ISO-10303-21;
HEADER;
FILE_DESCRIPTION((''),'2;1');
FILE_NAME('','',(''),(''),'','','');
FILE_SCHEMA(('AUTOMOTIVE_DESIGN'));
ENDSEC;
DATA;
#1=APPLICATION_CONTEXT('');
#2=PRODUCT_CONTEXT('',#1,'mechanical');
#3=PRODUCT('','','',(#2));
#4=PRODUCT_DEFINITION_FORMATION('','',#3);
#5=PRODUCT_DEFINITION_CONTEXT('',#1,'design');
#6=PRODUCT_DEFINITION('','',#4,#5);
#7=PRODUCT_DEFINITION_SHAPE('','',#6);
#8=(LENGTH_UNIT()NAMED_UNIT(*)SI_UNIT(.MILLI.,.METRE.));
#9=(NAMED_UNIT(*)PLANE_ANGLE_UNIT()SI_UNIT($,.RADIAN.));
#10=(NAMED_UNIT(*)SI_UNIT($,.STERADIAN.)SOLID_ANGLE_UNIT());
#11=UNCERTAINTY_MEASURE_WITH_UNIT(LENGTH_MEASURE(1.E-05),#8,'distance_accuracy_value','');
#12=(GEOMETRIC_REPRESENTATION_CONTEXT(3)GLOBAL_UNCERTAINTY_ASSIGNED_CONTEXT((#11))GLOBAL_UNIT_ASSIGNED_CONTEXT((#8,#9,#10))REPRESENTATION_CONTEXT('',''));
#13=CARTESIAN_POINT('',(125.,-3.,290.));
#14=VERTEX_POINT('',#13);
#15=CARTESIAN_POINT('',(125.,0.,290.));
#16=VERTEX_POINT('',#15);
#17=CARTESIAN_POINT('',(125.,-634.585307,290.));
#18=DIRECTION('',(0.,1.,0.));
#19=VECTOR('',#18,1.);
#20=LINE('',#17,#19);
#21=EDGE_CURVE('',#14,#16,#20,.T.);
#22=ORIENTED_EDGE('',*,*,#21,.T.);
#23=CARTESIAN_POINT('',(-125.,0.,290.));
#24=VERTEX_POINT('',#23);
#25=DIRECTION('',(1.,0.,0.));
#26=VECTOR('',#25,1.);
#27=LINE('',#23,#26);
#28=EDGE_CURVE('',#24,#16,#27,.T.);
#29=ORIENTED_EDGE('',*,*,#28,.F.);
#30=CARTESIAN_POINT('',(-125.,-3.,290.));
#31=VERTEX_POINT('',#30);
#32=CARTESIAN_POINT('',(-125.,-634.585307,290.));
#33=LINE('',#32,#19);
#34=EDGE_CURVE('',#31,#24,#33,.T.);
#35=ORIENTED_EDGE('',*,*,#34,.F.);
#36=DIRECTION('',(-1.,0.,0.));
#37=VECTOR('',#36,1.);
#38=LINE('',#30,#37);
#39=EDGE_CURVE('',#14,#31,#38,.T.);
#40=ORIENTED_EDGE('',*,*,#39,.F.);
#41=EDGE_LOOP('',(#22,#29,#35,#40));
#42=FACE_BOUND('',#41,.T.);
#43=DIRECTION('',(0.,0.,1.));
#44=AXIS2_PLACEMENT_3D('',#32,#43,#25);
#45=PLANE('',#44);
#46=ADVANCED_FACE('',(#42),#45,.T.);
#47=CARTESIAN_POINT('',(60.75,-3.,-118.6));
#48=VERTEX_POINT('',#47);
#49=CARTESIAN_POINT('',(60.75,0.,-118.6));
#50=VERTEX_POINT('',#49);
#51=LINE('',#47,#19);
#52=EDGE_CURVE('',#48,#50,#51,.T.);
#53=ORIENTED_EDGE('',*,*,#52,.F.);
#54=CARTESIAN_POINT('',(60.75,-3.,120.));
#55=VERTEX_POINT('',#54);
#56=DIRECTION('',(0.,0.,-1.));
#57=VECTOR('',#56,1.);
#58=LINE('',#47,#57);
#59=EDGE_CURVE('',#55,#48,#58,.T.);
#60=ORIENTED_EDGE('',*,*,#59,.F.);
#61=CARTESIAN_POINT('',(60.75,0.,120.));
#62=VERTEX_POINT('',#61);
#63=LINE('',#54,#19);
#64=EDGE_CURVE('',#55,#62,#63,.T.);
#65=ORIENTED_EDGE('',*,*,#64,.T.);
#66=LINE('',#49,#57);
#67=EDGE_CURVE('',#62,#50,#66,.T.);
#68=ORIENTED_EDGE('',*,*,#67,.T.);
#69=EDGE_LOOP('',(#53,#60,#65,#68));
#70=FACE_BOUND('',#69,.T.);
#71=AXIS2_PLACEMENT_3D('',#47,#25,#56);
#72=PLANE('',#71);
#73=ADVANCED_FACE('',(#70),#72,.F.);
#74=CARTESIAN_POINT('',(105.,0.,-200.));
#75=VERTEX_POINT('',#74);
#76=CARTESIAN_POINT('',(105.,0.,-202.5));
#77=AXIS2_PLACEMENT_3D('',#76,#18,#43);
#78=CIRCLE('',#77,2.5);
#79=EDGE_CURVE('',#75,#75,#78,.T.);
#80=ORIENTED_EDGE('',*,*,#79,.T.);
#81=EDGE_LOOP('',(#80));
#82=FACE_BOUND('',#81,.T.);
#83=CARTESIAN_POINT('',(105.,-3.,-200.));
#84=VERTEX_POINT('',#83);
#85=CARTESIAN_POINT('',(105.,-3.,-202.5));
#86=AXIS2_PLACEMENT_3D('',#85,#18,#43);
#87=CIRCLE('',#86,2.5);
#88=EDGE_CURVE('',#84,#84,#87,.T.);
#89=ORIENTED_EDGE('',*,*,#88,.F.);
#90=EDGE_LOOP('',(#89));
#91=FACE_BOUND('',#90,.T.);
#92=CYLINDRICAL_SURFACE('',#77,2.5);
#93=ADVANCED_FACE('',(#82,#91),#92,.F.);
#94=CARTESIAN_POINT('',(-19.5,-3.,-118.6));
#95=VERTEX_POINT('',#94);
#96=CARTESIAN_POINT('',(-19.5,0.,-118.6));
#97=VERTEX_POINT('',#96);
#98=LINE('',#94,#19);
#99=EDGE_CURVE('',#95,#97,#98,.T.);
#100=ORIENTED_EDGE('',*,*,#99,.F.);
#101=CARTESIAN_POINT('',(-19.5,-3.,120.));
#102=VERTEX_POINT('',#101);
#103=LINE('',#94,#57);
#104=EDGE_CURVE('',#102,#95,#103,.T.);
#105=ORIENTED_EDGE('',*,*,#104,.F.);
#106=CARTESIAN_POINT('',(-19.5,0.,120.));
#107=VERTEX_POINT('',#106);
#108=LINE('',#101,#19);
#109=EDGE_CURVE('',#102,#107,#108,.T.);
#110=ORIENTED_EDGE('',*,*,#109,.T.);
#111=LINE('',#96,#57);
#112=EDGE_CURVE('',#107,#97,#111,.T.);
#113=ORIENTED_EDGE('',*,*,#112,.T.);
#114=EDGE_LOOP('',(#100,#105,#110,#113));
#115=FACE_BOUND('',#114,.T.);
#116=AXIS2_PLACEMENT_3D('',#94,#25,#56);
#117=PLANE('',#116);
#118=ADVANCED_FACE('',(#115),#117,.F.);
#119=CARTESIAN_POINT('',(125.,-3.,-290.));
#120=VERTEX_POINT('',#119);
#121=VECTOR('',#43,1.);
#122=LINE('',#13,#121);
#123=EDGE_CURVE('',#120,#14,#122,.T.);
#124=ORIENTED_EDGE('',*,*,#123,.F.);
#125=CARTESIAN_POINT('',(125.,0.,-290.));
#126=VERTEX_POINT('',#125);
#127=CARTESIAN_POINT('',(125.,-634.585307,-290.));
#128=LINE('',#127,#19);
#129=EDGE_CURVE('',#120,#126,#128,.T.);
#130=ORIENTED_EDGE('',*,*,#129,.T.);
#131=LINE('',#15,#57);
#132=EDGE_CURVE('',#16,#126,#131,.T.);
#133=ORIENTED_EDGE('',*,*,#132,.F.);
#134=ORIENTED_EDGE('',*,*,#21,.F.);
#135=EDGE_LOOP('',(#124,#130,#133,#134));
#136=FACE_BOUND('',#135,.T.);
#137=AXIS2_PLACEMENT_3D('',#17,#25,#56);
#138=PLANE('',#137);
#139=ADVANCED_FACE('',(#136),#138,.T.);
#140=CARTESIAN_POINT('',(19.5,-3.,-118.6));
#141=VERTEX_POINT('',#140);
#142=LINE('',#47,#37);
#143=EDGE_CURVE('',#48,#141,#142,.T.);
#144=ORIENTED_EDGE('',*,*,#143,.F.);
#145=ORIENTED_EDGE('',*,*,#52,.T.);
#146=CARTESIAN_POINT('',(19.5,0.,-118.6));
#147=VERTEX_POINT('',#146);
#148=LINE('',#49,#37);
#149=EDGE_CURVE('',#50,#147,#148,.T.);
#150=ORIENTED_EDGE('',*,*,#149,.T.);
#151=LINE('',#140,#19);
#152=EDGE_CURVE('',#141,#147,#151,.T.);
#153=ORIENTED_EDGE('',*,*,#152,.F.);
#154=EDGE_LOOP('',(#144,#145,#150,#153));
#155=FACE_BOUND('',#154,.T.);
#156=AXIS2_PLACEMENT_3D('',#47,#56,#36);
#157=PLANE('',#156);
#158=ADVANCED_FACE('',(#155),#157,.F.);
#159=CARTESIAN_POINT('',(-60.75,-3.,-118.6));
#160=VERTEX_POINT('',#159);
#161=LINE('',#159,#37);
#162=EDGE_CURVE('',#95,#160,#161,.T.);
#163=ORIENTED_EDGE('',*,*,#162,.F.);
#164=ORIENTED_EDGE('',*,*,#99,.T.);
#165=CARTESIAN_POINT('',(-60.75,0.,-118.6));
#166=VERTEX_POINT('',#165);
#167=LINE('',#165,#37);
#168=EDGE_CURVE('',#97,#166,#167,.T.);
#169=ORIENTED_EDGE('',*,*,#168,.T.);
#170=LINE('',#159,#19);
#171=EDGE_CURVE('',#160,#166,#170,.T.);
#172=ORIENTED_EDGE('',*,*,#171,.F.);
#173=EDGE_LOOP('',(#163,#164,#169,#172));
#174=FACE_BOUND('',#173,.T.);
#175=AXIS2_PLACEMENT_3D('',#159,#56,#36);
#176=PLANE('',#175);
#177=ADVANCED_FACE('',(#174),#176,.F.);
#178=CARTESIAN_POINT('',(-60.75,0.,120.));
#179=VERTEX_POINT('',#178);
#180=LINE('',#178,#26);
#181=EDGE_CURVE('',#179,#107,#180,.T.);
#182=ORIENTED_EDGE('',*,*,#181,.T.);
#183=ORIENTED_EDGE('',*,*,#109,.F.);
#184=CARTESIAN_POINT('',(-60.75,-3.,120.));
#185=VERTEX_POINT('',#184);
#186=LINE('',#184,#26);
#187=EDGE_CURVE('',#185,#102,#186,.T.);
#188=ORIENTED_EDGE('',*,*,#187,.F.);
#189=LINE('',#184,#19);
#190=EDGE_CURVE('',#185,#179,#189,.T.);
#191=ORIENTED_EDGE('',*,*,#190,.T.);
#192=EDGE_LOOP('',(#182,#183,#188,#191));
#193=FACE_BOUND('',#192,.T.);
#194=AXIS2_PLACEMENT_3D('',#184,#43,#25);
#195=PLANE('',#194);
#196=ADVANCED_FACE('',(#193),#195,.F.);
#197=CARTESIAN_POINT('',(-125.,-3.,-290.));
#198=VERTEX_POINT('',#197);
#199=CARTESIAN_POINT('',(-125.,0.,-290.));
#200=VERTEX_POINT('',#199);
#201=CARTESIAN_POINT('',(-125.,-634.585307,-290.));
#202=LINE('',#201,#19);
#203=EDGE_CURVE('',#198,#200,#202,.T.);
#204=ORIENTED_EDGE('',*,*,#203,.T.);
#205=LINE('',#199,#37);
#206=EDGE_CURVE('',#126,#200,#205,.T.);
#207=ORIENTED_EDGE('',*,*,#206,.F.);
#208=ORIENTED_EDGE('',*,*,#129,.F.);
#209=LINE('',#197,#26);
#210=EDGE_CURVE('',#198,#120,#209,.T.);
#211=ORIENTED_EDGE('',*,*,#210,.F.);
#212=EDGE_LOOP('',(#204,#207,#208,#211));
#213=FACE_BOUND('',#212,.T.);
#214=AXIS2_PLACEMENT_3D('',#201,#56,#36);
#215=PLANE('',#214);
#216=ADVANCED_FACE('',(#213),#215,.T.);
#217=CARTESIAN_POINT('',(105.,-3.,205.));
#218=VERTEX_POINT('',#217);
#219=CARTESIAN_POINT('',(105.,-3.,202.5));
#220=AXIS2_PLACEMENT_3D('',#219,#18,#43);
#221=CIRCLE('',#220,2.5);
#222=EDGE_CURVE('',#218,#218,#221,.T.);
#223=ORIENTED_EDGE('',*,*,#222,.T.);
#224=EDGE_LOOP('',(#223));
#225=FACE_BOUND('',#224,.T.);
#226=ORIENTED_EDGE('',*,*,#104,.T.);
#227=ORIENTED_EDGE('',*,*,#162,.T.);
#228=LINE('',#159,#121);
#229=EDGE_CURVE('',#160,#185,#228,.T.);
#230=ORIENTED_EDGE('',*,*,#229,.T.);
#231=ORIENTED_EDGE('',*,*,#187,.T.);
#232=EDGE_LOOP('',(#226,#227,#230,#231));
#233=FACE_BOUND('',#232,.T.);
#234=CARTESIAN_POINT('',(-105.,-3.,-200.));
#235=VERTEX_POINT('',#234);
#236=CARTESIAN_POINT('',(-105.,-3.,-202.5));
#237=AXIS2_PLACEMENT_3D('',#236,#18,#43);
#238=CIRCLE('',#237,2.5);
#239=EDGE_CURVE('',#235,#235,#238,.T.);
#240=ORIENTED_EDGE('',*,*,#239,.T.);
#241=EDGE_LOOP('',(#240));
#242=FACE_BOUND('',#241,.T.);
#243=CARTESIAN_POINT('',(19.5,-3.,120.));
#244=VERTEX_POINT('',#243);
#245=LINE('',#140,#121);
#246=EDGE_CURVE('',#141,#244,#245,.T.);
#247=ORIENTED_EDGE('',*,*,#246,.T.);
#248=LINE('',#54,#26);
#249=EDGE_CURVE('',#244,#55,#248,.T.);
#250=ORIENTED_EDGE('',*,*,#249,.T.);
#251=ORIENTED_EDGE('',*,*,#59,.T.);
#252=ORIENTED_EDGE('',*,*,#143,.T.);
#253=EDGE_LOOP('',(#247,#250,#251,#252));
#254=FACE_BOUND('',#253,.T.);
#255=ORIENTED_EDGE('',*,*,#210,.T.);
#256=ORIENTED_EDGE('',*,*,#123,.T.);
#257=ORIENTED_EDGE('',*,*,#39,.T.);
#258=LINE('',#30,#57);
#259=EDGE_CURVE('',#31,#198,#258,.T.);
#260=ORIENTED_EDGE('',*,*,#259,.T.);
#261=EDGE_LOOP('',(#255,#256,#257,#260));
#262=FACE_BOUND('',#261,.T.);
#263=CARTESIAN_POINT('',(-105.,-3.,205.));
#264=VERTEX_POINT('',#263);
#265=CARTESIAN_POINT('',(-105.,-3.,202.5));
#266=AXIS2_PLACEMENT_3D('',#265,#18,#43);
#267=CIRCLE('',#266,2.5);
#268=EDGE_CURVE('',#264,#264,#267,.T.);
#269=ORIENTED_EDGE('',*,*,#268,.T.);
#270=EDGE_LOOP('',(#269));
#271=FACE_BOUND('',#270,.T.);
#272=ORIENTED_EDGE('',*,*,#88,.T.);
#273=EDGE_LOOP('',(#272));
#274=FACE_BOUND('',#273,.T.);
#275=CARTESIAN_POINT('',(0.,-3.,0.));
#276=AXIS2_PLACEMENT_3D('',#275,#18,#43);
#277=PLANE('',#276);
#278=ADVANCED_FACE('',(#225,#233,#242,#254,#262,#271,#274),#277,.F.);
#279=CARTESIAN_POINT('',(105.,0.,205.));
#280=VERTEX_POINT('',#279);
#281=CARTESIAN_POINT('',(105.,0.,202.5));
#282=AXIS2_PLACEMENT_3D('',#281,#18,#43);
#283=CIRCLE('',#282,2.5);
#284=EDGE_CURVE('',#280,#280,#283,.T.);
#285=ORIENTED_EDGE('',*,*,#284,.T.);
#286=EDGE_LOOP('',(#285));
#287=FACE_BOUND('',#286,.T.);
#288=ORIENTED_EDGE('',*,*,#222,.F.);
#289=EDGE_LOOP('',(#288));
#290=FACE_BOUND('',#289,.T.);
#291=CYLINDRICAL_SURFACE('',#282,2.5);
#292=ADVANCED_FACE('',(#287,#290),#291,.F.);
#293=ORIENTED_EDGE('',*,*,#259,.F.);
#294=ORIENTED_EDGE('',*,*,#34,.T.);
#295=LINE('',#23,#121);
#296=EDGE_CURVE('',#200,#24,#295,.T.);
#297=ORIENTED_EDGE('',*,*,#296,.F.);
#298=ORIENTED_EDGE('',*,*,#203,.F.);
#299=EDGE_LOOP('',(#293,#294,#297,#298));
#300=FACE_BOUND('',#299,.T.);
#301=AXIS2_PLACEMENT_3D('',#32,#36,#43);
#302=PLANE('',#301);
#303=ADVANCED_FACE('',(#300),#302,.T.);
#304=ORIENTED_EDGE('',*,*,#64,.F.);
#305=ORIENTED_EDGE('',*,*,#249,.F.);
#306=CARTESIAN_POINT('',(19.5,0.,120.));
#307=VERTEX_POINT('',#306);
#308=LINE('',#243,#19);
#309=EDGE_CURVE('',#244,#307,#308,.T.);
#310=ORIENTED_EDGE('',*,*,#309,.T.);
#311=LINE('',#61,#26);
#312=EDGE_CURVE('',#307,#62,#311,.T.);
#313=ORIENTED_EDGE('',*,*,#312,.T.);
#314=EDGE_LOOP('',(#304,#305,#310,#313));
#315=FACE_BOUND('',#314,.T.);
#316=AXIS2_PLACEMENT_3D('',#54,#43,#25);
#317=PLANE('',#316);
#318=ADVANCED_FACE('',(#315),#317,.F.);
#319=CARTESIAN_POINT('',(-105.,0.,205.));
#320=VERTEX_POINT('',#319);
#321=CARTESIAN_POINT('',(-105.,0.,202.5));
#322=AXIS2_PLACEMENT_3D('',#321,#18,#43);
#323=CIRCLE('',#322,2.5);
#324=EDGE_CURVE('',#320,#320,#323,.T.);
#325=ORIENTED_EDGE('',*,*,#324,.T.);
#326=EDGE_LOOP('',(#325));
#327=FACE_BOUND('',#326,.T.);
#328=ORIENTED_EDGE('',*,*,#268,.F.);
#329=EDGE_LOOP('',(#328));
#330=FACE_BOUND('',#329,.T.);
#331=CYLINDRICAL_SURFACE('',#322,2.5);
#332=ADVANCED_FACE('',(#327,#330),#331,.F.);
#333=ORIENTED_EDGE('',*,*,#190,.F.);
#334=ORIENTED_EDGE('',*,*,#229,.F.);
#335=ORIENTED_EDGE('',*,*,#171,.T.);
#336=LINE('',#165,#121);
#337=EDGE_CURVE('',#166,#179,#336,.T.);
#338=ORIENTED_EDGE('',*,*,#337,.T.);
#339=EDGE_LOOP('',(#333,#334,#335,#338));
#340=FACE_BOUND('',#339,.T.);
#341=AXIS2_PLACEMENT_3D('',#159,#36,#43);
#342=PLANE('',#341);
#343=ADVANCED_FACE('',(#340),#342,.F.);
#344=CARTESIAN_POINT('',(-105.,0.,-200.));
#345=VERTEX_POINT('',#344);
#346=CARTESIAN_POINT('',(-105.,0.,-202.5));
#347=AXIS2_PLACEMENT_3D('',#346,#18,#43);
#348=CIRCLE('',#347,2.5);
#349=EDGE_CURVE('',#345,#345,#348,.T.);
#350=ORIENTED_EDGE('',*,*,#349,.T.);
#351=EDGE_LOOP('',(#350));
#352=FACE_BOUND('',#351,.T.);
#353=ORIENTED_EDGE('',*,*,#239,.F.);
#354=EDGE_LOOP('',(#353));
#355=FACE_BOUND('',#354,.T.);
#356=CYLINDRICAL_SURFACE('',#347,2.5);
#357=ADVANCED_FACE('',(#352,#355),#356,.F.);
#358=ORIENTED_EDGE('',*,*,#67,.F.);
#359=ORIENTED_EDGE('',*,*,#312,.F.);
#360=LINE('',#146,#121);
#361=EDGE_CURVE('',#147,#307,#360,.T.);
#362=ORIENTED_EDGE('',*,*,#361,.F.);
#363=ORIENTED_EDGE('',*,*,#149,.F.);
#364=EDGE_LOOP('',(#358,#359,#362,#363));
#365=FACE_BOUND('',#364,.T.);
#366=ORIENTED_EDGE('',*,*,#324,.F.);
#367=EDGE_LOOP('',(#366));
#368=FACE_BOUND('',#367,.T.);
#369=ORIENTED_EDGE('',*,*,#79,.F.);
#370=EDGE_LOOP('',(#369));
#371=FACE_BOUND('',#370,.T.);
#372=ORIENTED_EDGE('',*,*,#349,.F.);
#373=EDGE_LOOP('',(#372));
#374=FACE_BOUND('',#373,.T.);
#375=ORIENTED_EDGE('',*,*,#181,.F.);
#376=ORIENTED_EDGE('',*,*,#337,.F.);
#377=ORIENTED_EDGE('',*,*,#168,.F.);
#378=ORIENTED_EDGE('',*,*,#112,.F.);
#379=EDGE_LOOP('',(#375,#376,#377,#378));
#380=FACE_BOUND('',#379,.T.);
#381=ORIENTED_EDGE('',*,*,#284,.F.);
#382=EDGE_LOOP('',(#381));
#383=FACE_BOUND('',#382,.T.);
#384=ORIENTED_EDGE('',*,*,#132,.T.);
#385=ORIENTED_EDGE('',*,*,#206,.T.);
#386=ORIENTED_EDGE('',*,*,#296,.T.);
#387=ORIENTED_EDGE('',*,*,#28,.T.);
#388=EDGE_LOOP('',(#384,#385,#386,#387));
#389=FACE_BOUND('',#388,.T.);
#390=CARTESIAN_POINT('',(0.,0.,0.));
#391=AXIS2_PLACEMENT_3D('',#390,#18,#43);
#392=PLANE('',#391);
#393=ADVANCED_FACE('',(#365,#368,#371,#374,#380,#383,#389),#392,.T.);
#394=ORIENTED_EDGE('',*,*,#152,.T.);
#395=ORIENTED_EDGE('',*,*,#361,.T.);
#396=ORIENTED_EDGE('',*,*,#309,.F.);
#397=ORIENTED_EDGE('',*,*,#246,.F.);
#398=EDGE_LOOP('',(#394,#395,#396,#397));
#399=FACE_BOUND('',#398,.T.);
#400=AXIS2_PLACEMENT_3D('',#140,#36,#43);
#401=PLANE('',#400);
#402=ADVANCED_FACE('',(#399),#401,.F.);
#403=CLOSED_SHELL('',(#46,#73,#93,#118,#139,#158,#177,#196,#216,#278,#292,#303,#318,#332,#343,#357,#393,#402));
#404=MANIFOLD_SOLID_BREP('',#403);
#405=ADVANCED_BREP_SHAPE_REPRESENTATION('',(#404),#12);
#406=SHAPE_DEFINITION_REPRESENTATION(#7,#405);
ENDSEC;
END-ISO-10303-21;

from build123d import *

# Parameters (mm, degrees)
SKETCH1_W                = 230
SKETCH1_H                = 425
BOSS_EXTRUDE1_DEPTH      = 3
F_5_0_4_DIAMETER_HOLE1_D = 5
SKETCH5_W                = 41.25
SKETCH5_H                = 238.6
CUT_EXTRUDE1_DEPTH       = 4
SKETCH6_W                = 250
SKETCH6_H                = 580
SKETCH6_W_2              = 230
SKETCH6_H_2              = 425
BOSS_EXTRUDE3_DEPTH      = 3


with BuildPart() as part:
    # Sketch1 → Boss-Extrude1 (new body)
    with BuildSketch(Plane(origin=(0, 0, 0), x_dir=(1, 0, 0), z_dir=(0, 1, 0))):
        Rectangle(SKETCH1_W, SKETCH1_H)
    extrude(amount=-BOSS_EXTRUDE1_DEPTH)

    # Ø5.0 (4) Diameter Hole1 (through all)
    with Locations(Plane(origin=(0, 0, 0), x_dir=(1, 0, 0), z_dir=(0, 1, 0))):
        with Locations((-105, 202.5), (105, 202.5), (105, -202.5), (-105, -202.5)):
            Hole(F_5_0_4_DIAMETER_HOLE1_D / 2)

    # Sketch5 → Cut-Extrude1 (cut, through all)
    with BuildSketch(Plane(origin=(0, 0, 0), x_dir=(1, 0, 0), z_dir=(0, 1, 0))):
        with Locations((-40.125, -0.7)):
            Rectangle(SKETCH5_W, SKETCH5_H)
        with Locations((40.125, -0.7)):
            Rectangle(SKETCH5_W, SKETCH5_H)
    extrude(amount=-CUT_EXTRUDE1_DEPTH, mode=Mode.SUBTRACT)

    # Sketch6 → Boss-Extrude3 (add)
    with BuildSketch(Plane(origin=(0, 0, 0), x_dir=(1, 0, 0), z_dir=(0, 1, 0))):
        Rectangle(SKETCH6_W, SKETCH6_H)
        Rectangle(SKETCH6_W_2, SKETCH6_H_2, mode=Mode.SUBTRACT)
    extrude(amount=-BOSS_EXTRUDE3_DEPTH)


solid = part.part
